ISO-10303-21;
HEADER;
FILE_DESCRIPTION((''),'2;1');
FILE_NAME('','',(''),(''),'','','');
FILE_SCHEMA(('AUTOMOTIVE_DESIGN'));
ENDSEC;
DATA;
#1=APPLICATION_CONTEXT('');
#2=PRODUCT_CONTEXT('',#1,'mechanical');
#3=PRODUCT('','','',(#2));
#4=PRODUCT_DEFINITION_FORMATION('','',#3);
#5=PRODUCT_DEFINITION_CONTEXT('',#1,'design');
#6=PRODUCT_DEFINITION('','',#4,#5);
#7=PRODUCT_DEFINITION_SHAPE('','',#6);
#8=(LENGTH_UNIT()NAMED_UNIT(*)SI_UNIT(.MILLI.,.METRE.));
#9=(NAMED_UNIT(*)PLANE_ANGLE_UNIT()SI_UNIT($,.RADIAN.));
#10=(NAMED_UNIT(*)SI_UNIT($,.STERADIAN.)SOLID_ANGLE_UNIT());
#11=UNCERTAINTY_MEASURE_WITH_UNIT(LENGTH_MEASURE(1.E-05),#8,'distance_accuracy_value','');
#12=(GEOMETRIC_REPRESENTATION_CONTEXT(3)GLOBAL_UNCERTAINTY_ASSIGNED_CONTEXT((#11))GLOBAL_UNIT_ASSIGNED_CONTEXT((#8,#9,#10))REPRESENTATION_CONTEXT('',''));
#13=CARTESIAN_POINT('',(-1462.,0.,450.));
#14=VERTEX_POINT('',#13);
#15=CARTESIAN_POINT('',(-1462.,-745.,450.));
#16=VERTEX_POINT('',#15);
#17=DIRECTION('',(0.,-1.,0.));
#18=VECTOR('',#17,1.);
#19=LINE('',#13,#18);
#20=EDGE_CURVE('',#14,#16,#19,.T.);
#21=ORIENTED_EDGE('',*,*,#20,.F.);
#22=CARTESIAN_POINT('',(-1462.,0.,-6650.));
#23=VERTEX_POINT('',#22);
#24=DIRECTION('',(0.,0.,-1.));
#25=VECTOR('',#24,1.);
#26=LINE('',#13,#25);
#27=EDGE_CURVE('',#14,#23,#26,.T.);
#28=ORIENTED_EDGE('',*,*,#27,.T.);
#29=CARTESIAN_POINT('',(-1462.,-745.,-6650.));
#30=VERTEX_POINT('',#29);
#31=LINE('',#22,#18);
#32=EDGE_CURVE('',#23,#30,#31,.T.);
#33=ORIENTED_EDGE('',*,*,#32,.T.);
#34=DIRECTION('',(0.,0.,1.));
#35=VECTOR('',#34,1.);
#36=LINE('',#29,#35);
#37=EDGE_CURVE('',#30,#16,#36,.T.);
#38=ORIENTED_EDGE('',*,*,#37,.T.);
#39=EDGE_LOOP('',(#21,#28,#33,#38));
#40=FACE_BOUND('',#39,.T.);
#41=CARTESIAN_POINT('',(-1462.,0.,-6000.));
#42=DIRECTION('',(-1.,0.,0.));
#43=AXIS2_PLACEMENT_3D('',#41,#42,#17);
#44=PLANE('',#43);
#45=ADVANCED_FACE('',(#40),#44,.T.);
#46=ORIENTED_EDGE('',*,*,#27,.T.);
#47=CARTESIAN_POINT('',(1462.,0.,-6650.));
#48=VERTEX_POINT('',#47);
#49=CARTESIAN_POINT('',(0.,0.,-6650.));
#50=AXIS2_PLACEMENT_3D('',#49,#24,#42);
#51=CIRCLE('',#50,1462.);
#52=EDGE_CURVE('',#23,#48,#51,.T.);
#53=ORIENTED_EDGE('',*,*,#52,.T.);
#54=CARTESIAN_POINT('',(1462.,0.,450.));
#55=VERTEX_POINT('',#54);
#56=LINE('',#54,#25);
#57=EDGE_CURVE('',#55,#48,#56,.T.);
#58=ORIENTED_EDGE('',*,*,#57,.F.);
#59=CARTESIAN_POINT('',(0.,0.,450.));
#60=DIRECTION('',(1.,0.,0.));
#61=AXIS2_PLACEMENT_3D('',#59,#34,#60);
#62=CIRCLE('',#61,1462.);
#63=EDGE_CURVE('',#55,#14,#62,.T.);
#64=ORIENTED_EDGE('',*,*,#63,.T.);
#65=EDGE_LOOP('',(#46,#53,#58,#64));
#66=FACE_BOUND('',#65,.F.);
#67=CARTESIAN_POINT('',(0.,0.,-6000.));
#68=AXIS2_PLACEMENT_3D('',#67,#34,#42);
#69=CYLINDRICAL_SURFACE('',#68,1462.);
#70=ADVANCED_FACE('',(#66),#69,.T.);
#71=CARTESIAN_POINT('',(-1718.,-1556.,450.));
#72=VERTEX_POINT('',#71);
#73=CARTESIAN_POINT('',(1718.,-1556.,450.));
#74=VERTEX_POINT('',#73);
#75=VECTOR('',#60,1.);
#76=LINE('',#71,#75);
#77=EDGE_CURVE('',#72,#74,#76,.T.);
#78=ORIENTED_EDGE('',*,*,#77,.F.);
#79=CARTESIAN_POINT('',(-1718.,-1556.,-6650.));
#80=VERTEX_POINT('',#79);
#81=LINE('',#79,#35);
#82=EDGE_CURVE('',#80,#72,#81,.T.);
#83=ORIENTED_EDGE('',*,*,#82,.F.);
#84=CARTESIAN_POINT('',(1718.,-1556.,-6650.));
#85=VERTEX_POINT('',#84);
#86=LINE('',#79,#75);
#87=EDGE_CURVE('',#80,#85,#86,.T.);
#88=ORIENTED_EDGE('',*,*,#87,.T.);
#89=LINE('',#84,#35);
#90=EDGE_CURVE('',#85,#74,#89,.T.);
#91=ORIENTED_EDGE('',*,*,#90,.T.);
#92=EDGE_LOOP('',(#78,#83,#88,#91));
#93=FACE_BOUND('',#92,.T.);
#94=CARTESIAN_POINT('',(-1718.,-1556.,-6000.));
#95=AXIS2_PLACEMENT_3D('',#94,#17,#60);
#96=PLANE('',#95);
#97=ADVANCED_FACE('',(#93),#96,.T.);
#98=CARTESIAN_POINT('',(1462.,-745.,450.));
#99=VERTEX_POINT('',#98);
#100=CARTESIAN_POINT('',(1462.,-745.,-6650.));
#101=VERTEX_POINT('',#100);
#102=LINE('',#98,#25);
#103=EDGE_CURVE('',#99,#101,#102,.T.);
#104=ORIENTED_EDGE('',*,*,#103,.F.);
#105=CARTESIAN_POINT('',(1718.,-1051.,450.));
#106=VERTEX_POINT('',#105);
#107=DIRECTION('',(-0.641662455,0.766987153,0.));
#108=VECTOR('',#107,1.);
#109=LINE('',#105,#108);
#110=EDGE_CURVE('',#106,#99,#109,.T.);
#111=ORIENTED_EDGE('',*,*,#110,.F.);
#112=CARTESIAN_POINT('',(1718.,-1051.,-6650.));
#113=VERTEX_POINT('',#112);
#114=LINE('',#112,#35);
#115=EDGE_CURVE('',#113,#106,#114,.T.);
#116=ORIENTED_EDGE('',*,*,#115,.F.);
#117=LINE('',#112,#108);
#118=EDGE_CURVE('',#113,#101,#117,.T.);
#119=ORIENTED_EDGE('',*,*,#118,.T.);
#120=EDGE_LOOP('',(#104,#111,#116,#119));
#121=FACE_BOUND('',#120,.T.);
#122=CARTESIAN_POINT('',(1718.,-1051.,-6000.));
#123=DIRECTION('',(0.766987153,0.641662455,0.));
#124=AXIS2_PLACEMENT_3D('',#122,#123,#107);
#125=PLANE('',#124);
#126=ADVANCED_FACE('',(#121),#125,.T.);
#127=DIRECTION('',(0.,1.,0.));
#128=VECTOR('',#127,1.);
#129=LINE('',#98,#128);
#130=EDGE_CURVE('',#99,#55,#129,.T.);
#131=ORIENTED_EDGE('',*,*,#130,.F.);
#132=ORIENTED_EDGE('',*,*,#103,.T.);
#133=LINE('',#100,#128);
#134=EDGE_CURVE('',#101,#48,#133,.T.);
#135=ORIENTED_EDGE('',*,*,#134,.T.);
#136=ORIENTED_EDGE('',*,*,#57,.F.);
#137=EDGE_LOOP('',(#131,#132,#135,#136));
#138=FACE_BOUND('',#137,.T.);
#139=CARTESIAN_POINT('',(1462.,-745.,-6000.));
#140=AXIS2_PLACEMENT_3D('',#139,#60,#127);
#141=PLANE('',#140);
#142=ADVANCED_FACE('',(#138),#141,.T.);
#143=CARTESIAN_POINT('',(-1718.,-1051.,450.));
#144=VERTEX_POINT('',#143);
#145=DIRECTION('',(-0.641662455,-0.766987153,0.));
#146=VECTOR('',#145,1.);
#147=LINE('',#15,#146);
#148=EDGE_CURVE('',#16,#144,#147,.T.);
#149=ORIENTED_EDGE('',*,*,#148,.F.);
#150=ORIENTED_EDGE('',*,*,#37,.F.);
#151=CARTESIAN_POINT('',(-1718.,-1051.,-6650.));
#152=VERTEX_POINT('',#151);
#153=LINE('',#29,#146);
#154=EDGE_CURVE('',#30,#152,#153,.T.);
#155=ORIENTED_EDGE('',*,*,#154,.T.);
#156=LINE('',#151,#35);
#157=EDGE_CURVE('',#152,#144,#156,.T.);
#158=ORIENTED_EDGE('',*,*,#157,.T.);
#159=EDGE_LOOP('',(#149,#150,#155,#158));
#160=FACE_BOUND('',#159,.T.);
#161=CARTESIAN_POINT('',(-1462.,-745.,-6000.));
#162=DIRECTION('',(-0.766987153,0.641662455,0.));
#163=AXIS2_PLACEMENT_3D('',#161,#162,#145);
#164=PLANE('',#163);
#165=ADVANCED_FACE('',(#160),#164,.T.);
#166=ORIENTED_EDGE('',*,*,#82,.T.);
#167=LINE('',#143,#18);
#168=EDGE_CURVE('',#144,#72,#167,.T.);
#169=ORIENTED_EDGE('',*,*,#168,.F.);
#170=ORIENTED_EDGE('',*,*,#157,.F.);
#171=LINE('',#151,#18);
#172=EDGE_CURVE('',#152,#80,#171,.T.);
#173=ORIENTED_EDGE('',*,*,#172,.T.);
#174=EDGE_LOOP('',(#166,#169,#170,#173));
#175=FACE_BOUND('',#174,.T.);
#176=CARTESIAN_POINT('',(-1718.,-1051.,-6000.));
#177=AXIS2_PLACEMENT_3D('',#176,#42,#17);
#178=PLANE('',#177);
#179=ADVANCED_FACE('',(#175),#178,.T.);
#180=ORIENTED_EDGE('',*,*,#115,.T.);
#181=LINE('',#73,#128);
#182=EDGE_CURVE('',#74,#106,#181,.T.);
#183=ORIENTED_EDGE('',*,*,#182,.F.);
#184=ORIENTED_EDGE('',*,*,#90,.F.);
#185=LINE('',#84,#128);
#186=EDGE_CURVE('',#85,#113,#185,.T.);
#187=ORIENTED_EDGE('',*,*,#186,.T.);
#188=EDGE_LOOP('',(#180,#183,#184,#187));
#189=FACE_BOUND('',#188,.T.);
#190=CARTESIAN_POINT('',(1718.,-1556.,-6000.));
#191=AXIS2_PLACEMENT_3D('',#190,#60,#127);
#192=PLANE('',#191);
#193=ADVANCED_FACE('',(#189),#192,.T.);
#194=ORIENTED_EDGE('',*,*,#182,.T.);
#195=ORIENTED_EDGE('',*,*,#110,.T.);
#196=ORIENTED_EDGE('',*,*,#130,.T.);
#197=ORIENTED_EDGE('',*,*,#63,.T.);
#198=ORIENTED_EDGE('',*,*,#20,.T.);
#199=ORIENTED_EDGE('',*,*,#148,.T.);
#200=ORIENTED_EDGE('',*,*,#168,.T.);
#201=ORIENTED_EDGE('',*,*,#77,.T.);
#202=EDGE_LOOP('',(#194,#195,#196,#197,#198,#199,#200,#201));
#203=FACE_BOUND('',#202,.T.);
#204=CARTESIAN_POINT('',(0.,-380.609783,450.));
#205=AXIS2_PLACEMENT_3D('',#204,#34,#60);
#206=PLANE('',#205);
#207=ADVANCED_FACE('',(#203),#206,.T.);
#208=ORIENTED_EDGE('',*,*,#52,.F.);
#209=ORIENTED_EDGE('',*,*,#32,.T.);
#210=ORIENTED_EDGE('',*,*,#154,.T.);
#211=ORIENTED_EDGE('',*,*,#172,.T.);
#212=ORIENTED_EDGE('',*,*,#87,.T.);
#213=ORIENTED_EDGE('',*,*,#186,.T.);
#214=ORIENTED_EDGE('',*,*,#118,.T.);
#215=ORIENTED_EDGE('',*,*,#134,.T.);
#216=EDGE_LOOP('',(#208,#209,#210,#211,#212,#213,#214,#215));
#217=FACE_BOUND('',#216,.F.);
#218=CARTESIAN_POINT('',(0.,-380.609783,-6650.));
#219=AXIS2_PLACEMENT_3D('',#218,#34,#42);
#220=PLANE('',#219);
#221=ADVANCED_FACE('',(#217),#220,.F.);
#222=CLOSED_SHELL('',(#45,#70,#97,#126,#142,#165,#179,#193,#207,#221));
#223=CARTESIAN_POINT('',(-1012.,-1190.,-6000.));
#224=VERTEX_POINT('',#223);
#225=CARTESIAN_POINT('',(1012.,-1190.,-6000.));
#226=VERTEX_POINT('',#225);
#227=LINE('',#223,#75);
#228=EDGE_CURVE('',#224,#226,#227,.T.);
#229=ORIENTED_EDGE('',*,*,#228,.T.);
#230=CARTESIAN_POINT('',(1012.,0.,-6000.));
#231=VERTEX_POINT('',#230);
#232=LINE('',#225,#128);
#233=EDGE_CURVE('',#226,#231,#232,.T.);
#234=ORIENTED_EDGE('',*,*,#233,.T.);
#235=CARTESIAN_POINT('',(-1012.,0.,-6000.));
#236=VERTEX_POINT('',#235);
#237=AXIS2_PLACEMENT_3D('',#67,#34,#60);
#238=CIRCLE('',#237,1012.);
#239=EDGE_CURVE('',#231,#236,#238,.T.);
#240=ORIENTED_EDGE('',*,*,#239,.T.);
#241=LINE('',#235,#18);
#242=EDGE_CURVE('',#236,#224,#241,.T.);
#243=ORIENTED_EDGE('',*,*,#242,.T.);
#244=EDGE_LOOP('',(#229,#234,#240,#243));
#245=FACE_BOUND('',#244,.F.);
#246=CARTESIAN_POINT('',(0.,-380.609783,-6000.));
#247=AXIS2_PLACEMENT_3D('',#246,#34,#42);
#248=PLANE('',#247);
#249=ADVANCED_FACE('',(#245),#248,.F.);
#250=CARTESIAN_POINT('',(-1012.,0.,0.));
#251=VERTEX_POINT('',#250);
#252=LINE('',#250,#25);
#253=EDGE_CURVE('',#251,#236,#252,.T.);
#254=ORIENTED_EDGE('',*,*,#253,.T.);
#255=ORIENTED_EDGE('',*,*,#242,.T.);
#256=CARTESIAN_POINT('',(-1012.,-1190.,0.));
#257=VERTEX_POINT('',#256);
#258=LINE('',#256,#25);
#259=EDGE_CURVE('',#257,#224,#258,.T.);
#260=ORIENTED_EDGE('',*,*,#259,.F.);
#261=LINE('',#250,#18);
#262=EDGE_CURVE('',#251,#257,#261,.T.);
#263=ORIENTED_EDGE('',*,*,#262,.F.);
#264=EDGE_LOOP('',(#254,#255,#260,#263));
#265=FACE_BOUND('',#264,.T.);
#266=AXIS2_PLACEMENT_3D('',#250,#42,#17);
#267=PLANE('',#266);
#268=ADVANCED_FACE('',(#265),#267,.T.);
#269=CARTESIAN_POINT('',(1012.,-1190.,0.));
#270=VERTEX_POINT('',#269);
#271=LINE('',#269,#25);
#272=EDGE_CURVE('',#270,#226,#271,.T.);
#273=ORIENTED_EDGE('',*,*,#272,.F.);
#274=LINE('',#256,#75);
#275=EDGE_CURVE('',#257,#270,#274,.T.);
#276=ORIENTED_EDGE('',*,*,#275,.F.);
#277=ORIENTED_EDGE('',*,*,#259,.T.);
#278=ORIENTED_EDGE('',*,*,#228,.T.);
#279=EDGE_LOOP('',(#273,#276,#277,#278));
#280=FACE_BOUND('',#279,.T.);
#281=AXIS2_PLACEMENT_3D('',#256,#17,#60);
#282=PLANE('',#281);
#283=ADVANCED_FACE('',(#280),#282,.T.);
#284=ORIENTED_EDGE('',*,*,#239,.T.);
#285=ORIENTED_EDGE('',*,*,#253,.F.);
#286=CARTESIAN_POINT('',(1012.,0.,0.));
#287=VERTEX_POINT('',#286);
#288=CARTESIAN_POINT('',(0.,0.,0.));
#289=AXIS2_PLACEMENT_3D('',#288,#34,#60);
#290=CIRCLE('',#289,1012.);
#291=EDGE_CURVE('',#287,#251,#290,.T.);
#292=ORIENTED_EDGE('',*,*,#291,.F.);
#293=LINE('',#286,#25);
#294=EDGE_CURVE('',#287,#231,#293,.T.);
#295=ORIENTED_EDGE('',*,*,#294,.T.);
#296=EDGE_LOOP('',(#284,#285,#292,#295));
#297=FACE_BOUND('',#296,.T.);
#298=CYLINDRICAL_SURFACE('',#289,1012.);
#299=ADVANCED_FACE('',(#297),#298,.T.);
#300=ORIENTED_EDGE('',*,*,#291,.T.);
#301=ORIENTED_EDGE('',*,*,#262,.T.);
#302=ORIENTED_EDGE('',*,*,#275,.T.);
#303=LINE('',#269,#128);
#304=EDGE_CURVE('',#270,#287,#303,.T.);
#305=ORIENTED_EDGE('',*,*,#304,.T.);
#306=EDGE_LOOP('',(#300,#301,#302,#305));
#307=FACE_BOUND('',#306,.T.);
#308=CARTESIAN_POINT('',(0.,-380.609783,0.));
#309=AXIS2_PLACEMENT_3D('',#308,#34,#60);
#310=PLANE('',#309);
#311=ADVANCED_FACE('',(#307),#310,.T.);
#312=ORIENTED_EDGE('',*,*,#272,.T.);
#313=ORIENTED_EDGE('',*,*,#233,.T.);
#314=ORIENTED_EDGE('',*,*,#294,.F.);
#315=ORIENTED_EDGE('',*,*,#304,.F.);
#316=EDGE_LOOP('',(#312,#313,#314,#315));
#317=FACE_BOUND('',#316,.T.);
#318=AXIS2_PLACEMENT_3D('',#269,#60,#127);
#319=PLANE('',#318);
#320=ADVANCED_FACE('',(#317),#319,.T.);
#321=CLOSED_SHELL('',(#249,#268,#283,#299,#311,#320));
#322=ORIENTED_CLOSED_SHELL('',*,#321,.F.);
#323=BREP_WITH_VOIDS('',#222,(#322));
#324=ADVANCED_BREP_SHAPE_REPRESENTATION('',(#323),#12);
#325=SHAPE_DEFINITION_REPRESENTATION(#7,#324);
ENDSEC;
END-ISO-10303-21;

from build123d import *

# Parameters (mm, degrees)
PAD_DEPTH    = 6000
PAD001_DEPTH = 450
PAD002_DEPTH = 650


with BuildPart() as part:
    # Sketch → Pad (new body)
    with BuildSketch(Plane.XY):
        with BuildLine():
            ThreePointArc((1462, 0), (0, 1462), (-1462, 0))
            Line((-1462, 0), (-1462, -745))
            Line((-1462, -745), (-1718, -1051))
            Line((-1718, -1051), (-1718, -1556))
            Line((-1718, -1556), (1718, -1556))
            Line((1718, -1556), (1718, -1051))
            Line((1718, -1051), (1462, -745))
            Line((1462, -745), (1462, 0))
        make_face()
        with BuildLine():
            ThreePointArc((1012, 0), (0, 1012), (-1012, 0))
            Line((-1012, 0), (-1012, -1190))
            Line((-1012, -1190), (1012, -1190))
            Line((1012, -1190), (1012, 0))
        make_face(mode=Mode.SUBTRACT)
    extrude(amount=-PAD_DEPTH)

    # Sketch001 (on Face13 of Pad) → Pad001 (join)
    with BuildSketch(Plane.XY):
        with BuildLine():
            Line((-1462, 0), (-1462, -745))
            Line((-1462, -745), (-1718, -1051))
            Line((-1718, -1051), (-1718, -1556))
            Line((-1718, -1556), (1718, -1556))
            Line((1718, -1556), (1718, -1051))
            Line((1718, -1051), (1462, -745))
            Line((1462, -745), (1462, 0))
            ThreePointArc((1462, 0), (0, 1462), (-1462, 0))
        make_face()
    extrude(amount=PAD001_DEPTH)

    # Sketch002 (on Face1 of Pad001) → Pad002 (join)
    with BuildSketch(Plane(origin=(0, 0, -6000), x_dir=(1, 0, 0), z_dir=(0, 0, -1))):
        with BuildLine():
            Line((-1462, 0), (-1462, 745))
            Line((-1462, 745), (-1718, 1051))
            Line((-1718, 1051), (-1718, 1556))
            Line((-1718, 1556), (1718, 1556))
            Line((1718, 1556), (1718, 1051))
            Line((1718, 1051), (1462, 745))
            Line((1462, 745), (1462, 0))
            ThreePointArc((-1462, 0), (0, -1462), (1462, 0))
        make_face()
    extrude(amount=PAD002_DEPTH)


solid = part.part
